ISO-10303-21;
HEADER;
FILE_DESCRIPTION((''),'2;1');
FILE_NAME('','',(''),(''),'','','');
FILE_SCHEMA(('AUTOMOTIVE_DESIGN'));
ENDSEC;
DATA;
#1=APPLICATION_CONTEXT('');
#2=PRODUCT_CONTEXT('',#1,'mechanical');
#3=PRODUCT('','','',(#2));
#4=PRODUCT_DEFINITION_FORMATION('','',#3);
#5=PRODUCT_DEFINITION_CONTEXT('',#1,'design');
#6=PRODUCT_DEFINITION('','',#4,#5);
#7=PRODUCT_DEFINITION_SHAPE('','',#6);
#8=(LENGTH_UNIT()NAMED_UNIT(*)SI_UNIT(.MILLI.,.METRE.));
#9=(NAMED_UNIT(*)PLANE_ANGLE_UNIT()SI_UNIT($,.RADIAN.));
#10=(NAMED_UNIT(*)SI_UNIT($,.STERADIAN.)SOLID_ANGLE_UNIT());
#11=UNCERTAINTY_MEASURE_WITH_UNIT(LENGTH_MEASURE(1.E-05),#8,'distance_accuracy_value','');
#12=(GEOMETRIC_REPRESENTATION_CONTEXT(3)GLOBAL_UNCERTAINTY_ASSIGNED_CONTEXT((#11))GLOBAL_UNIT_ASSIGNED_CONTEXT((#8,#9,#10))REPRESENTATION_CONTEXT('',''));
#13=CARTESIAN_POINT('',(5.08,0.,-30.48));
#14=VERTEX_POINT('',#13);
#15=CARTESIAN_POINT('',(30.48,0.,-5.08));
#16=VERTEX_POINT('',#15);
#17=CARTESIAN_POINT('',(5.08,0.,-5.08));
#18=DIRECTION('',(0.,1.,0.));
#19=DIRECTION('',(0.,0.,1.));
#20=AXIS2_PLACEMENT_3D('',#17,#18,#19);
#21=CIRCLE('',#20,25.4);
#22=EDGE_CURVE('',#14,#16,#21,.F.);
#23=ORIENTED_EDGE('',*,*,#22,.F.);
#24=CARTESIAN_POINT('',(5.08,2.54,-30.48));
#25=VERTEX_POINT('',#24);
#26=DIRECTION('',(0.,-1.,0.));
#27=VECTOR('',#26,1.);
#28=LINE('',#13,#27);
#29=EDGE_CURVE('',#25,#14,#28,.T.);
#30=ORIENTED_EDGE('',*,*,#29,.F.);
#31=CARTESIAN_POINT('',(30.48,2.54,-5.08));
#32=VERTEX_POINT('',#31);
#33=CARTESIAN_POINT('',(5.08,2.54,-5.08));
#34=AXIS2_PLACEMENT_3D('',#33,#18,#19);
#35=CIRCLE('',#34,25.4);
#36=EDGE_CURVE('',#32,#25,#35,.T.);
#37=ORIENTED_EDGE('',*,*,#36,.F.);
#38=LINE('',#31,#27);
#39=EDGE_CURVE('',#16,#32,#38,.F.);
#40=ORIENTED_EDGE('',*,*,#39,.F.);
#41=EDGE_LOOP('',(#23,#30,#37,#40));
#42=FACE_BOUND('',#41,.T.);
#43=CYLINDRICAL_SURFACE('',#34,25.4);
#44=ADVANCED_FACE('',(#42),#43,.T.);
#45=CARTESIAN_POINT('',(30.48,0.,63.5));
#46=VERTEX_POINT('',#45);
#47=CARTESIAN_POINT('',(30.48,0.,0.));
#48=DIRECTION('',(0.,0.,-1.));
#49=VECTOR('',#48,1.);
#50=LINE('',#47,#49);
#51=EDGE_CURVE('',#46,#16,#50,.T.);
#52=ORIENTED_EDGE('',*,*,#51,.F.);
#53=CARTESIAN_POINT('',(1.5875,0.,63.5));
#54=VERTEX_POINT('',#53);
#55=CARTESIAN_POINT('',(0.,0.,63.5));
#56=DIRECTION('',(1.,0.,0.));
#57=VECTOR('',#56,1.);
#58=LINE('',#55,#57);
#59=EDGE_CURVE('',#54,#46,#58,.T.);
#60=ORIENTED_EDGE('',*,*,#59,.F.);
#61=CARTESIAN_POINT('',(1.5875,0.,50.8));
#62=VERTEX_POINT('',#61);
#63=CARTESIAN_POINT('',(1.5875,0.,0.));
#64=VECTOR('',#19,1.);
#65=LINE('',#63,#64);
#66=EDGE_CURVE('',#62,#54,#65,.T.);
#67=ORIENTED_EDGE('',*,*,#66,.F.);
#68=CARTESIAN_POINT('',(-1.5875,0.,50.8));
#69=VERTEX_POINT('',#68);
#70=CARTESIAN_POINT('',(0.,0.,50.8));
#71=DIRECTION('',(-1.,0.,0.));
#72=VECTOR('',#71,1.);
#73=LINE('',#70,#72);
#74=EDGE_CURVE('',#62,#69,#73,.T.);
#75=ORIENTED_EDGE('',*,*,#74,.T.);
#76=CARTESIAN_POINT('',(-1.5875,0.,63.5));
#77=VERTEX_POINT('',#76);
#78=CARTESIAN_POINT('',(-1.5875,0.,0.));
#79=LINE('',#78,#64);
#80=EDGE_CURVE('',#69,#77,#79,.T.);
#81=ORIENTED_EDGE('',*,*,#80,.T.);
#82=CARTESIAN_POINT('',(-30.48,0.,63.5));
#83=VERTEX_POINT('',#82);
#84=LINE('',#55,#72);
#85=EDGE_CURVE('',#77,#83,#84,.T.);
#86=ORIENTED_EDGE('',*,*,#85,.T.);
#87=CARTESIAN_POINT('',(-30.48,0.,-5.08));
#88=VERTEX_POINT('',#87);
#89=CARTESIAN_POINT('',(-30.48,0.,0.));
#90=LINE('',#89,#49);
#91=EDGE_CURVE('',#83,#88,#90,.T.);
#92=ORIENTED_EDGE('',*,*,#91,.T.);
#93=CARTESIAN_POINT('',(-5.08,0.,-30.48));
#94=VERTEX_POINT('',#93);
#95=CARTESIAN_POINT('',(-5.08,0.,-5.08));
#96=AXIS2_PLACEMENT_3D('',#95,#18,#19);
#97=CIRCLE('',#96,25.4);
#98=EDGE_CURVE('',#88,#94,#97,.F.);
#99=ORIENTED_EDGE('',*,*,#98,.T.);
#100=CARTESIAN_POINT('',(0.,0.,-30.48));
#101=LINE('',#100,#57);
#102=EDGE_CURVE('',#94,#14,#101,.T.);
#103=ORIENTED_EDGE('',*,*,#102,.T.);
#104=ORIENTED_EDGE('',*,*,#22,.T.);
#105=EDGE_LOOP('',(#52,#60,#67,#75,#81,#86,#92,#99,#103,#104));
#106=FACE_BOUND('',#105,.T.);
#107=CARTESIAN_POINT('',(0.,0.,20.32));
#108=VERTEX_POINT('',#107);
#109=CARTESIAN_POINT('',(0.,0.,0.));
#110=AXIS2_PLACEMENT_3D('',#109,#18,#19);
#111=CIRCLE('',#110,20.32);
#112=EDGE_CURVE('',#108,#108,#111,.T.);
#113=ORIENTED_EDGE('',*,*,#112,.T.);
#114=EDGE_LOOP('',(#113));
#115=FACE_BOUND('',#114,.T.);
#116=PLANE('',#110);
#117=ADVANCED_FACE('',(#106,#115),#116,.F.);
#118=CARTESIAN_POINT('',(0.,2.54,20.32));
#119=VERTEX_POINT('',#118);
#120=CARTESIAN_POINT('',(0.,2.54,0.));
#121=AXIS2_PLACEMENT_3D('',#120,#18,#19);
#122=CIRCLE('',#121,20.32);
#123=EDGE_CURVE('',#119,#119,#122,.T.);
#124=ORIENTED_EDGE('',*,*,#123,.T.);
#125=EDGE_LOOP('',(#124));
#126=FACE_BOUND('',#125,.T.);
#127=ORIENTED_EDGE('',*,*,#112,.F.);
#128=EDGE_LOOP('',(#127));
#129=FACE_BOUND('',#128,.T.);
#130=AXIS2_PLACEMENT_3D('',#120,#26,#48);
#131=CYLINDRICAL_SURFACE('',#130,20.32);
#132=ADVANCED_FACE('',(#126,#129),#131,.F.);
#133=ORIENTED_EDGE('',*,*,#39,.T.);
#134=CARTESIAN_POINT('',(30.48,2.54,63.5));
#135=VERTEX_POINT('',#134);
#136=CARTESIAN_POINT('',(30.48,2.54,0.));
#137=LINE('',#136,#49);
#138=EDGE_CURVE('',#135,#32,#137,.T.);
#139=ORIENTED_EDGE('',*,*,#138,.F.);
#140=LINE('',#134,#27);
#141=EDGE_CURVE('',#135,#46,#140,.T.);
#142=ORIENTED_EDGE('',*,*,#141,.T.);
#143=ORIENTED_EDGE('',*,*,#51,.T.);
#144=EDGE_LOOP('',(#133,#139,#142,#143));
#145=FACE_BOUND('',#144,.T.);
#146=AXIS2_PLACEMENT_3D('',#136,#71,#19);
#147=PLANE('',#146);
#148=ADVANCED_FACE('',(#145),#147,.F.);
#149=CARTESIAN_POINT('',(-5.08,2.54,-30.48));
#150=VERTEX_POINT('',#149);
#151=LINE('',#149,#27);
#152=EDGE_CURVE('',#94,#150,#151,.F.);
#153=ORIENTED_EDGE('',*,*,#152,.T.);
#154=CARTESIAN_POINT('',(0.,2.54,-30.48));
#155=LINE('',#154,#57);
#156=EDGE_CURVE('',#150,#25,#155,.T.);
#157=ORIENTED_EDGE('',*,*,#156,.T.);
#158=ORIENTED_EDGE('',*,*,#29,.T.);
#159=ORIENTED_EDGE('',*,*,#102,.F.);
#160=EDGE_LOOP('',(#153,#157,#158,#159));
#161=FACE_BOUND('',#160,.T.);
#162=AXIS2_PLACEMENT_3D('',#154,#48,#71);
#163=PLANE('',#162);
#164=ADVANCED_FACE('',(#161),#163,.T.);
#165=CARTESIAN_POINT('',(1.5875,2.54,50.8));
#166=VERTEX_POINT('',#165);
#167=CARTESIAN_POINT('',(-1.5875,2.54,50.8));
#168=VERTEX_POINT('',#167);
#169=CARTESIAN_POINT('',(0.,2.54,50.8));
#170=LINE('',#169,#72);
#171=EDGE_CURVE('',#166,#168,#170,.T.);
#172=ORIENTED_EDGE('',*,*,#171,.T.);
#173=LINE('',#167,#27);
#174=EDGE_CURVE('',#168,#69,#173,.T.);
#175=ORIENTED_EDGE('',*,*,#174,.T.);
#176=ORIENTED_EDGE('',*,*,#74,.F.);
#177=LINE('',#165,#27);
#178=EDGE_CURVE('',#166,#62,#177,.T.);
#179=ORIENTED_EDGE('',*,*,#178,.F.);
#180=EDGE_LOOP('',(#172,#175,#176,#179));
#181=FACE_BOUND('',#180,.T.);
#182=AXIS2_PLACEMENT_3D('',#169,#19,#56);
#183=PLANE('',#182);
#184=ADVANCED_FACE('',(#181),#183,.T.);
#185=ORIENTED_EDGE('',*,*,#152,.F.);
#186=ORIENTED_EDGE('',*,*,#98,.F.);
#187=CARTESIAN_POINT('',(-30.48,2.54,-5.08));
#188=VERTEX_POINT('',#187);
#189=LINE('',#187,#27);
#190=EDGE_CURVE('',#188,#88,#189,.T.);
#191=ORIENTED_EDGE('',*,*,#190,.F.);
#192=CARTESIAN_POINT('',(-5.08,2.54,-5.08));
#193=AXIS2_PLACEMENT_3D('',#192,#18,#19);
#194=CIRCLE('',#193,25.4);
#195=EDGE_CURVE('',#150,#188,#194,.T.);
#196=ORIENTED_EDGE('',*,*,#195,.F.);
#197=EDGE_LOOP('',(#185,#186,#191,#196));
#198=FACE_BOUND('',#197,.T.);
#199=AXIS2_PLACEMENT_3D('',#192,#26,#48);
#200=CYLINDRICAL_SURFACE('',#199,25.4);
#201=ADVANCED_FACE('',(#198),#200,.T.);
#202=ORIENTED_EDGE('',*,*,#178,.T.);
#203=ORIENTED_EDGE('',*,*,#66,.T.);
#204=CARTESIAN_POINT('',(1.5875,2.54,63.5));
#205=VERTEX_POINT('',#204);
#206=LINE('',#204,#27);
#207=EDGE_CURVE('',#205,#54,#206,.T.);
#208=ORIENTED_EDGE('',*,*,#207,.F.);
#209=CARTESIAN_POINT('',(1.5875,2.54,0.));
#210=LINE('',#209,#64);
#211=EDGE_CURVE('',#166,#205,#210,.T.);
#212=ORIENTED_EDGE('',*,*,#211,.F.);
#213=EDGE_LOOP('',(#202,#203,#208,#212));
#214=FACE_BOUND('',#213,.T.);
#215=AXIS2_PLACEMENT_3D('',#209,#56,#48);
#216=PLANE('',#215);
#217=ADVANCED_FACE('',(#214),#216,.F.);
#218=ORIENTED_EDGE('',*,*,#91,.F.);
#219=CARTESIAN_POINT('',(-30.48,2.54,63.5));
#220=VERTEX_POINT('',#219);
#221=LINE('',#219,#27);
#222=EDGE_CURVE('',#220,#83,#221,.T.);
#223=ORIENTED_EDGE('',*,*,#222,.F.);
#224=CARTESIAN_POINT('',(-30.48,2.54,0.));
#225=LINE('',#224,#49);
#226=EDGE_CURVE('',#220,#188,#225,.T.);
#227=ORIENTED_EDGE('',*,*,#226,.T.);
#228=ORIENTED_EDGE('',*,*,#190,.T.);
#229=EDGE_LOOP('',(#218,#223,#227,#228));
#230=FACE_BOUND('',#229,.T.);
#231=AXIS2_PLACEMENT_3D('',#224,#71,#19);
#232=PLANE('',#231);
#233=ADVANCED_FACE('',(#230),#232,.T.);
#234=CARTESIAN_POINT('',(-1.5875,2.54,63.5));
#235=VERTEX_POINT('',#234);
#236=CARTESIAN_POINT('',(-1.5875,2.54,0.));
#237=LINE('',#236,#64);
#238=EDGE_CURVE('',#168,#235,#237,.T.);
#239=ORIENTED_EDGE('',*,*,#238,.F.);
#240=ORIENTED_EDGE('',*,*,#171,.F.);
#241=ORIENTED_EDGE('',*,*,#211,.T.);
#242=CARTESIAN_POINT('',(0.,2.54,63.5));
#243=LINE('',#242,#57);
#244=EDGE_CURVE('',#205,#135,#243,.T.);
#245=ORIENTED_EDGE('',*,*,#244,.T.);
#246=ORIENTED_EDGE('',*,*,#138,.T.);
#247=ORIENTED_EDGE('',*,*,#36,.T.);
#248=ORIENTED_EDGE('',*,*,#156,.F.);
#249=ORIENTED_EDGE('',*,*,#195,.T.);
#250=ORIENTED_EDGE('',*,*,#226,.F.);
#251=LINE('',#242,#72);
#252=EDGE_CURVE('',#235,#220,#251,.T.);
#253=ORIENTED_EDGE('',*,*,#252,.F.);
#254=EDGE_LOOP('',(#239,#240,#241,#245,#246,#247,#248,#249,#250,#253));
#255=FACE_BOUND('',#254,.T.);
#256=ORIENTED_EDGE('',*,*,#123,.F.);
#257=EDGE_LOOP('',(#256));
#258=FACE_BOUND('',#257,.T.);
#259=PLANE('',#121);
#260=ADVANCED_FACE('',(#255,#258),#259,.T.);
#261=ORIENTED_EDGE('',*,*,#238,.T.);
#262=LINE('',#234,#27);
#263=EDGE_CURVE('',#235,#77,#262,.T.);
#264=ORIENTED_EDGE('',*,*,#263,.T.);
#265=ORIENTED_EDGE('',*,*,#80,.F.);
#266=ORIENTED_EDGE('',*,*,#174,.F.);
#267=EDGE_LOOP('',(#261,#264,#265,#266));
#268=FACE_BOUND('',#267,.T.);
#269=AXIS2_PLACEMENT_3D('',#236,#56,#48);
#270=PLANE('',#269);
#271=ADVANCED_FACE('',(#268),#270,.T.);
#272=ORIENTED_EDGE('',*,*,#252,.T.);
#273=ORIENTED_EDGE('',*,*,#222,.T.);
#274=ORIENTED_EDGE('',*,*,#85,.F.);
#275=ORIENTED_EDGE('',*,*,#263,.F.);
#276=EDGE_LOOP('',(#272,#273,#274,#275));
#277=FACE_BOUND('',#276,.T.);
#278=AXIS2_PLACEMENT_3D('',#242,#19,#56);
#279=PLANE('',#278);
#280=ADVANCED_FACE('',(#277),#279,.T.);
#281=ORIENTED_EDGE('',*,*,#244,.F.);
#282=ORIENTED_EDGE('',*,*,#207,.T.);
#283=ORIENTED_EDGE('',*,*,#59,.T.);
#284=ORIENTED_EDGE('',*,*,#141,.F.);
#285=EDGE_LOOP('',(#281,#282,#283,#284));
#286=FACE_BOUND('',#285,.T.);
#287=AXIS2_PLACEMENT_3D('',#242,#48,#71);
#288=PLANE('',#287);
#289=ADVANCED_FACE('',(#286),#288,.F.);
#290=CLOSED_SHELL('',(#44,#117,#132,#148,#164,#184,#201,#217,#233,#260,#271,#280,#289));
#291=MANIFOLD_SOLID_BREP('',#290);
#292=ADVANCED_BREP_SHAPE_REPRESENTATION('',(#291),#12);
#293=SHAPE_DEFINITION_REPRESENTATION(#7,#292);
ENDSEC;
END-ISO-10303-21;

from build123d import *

# Parameters (mm, degrees)
SKETCH1_R           = 20.32
BOSS_EXTRUDE1_DEPTH = 2.54
FILLET1_R           = 25.4


with BuildPart() as part:
    # Sketch1 → Boss-Extrude1 (new body)
    with BuildSketch(Plane(origin=(0, 0, 0), x_dir=(1, 0, 0), z_dir=(0, 1, 0))):
        Polygon((-30.48, 30.48), (-30.48, -63.5), (-1.5875, -63.5), (-1.5875, -50.8), (1.5875, -50.8), (1.5875, -63.5), (30.48, -63.5), (30.48, 30.48), align=None)
        with Locations(Location((0, 0, 0), (0, 0, 270))):
            Circle(SKETCH1_R, mode=Mode.SUBTRACT)
    extrude(amount=BOSS_EXTRUDE1_DEPTH)

    # Fillet1
    fillet1_edges = [part.edges().sort_by_distance(p)[0] for p in [
        (-30.48, 1.27, -30.48),
        (30.48, 1.27, -30.48),
    ]]
    fillet(fillet1_edges, radius=FILLET1_R)


solid = part.part
